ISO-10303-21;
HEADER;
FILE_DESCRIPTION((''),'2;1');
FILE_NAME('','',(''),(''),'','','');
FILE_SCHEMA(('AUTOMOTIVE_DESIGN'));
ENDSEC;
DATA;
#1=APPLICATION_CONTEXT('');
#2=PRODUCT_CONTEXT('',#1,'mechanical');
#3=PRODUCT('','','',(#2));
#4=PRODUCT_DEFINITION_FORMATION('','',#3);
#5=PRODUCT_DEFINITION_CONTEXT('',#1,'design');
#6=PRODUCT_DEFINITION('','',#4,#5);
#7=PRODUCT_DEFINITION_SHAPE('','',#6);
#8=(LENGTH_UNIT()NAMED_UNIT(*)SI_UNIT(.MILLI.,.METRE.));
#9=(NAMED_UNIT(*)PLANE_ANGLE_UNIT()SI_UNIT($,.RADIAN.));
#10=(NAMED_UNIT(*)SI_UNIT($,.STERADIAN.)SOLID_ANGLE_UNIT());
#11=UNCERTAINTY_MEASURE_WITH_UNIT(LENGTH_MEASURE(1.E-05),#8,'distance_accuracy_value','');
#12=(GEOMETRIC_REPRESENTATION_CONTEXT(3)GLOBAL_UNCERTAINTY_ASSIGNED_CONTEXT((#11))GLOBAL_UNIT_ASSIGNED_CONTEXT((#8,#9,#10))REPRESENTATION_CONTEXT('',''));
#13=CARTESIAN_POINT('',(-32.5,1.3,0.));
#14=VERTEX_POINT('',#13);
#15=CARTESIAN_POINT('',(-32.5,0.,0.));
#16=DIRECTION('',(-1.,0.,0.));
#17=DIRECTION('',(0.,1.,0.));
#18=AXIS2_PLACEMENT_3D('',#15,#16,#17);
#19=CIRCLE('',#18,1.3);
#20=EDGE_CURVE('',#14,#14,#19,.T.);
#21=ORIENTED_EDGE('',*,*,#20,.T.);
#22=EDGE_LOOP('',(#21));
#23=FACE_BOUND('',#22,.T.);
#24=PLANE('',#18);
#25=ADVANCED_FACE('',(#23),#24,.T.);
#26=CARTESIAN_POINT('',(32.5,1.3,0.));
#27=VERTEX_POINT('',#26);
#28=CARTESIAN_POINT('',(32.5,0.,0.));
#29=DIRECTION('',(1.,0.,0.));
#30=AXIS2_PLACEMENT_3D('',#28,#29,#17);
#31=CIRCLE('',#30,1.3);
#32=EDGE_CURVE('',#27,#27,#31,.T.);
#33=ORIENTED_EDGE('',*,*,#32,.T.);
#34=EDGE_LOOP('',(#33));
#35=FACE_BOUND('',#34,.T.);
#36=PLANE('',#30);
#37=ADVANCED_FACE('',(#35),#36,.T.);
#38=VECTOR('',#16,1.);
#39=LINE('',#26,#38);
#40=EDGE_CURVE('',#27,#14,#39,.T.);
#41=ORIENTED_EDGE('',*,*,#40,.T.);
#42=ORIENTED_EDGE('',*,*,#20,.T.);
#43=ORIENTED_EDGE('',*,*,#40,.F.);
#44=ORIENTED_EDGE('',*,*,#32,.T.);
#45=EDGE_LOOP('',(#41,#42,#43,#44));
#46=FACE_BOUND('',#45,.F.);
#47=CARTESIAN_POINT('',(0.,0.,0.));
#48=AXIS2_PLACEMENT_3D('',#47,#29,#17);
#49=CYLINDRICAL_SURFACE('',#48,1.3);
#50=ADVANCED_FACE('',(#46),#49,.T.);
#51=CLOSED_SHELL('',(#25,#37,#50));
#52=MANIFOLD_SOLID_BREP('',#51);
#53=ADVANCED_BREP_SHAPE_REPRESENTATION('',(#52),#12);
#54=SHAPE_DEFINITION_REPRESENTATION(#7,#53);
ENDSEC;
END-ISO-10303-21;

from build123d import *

# Parameters (mm, degrees)
F0_R      = 1.3
F1_DEPTH  = 32.5
F1_FACE_R = 1.3
F2_DEPTH  = 32.5


with BuildPart() as f1:
    # F0 (on Right) → F1 (new body)
    with BuildSketch(Plane.YZ):
        Circle(F0_R)
    extrude(amount=F1_DEPTH)

    # F1_face (on face) → F2 (join)
    with BuildSketch(Plane(origin=(0, 0, 0), x_dir=(0, 1, 0), z_dir=(-1, 0, 0))):
        Circle(F1_FACE_R)
    extrude(amount=F2_DEPTH)


solid = f1.part
